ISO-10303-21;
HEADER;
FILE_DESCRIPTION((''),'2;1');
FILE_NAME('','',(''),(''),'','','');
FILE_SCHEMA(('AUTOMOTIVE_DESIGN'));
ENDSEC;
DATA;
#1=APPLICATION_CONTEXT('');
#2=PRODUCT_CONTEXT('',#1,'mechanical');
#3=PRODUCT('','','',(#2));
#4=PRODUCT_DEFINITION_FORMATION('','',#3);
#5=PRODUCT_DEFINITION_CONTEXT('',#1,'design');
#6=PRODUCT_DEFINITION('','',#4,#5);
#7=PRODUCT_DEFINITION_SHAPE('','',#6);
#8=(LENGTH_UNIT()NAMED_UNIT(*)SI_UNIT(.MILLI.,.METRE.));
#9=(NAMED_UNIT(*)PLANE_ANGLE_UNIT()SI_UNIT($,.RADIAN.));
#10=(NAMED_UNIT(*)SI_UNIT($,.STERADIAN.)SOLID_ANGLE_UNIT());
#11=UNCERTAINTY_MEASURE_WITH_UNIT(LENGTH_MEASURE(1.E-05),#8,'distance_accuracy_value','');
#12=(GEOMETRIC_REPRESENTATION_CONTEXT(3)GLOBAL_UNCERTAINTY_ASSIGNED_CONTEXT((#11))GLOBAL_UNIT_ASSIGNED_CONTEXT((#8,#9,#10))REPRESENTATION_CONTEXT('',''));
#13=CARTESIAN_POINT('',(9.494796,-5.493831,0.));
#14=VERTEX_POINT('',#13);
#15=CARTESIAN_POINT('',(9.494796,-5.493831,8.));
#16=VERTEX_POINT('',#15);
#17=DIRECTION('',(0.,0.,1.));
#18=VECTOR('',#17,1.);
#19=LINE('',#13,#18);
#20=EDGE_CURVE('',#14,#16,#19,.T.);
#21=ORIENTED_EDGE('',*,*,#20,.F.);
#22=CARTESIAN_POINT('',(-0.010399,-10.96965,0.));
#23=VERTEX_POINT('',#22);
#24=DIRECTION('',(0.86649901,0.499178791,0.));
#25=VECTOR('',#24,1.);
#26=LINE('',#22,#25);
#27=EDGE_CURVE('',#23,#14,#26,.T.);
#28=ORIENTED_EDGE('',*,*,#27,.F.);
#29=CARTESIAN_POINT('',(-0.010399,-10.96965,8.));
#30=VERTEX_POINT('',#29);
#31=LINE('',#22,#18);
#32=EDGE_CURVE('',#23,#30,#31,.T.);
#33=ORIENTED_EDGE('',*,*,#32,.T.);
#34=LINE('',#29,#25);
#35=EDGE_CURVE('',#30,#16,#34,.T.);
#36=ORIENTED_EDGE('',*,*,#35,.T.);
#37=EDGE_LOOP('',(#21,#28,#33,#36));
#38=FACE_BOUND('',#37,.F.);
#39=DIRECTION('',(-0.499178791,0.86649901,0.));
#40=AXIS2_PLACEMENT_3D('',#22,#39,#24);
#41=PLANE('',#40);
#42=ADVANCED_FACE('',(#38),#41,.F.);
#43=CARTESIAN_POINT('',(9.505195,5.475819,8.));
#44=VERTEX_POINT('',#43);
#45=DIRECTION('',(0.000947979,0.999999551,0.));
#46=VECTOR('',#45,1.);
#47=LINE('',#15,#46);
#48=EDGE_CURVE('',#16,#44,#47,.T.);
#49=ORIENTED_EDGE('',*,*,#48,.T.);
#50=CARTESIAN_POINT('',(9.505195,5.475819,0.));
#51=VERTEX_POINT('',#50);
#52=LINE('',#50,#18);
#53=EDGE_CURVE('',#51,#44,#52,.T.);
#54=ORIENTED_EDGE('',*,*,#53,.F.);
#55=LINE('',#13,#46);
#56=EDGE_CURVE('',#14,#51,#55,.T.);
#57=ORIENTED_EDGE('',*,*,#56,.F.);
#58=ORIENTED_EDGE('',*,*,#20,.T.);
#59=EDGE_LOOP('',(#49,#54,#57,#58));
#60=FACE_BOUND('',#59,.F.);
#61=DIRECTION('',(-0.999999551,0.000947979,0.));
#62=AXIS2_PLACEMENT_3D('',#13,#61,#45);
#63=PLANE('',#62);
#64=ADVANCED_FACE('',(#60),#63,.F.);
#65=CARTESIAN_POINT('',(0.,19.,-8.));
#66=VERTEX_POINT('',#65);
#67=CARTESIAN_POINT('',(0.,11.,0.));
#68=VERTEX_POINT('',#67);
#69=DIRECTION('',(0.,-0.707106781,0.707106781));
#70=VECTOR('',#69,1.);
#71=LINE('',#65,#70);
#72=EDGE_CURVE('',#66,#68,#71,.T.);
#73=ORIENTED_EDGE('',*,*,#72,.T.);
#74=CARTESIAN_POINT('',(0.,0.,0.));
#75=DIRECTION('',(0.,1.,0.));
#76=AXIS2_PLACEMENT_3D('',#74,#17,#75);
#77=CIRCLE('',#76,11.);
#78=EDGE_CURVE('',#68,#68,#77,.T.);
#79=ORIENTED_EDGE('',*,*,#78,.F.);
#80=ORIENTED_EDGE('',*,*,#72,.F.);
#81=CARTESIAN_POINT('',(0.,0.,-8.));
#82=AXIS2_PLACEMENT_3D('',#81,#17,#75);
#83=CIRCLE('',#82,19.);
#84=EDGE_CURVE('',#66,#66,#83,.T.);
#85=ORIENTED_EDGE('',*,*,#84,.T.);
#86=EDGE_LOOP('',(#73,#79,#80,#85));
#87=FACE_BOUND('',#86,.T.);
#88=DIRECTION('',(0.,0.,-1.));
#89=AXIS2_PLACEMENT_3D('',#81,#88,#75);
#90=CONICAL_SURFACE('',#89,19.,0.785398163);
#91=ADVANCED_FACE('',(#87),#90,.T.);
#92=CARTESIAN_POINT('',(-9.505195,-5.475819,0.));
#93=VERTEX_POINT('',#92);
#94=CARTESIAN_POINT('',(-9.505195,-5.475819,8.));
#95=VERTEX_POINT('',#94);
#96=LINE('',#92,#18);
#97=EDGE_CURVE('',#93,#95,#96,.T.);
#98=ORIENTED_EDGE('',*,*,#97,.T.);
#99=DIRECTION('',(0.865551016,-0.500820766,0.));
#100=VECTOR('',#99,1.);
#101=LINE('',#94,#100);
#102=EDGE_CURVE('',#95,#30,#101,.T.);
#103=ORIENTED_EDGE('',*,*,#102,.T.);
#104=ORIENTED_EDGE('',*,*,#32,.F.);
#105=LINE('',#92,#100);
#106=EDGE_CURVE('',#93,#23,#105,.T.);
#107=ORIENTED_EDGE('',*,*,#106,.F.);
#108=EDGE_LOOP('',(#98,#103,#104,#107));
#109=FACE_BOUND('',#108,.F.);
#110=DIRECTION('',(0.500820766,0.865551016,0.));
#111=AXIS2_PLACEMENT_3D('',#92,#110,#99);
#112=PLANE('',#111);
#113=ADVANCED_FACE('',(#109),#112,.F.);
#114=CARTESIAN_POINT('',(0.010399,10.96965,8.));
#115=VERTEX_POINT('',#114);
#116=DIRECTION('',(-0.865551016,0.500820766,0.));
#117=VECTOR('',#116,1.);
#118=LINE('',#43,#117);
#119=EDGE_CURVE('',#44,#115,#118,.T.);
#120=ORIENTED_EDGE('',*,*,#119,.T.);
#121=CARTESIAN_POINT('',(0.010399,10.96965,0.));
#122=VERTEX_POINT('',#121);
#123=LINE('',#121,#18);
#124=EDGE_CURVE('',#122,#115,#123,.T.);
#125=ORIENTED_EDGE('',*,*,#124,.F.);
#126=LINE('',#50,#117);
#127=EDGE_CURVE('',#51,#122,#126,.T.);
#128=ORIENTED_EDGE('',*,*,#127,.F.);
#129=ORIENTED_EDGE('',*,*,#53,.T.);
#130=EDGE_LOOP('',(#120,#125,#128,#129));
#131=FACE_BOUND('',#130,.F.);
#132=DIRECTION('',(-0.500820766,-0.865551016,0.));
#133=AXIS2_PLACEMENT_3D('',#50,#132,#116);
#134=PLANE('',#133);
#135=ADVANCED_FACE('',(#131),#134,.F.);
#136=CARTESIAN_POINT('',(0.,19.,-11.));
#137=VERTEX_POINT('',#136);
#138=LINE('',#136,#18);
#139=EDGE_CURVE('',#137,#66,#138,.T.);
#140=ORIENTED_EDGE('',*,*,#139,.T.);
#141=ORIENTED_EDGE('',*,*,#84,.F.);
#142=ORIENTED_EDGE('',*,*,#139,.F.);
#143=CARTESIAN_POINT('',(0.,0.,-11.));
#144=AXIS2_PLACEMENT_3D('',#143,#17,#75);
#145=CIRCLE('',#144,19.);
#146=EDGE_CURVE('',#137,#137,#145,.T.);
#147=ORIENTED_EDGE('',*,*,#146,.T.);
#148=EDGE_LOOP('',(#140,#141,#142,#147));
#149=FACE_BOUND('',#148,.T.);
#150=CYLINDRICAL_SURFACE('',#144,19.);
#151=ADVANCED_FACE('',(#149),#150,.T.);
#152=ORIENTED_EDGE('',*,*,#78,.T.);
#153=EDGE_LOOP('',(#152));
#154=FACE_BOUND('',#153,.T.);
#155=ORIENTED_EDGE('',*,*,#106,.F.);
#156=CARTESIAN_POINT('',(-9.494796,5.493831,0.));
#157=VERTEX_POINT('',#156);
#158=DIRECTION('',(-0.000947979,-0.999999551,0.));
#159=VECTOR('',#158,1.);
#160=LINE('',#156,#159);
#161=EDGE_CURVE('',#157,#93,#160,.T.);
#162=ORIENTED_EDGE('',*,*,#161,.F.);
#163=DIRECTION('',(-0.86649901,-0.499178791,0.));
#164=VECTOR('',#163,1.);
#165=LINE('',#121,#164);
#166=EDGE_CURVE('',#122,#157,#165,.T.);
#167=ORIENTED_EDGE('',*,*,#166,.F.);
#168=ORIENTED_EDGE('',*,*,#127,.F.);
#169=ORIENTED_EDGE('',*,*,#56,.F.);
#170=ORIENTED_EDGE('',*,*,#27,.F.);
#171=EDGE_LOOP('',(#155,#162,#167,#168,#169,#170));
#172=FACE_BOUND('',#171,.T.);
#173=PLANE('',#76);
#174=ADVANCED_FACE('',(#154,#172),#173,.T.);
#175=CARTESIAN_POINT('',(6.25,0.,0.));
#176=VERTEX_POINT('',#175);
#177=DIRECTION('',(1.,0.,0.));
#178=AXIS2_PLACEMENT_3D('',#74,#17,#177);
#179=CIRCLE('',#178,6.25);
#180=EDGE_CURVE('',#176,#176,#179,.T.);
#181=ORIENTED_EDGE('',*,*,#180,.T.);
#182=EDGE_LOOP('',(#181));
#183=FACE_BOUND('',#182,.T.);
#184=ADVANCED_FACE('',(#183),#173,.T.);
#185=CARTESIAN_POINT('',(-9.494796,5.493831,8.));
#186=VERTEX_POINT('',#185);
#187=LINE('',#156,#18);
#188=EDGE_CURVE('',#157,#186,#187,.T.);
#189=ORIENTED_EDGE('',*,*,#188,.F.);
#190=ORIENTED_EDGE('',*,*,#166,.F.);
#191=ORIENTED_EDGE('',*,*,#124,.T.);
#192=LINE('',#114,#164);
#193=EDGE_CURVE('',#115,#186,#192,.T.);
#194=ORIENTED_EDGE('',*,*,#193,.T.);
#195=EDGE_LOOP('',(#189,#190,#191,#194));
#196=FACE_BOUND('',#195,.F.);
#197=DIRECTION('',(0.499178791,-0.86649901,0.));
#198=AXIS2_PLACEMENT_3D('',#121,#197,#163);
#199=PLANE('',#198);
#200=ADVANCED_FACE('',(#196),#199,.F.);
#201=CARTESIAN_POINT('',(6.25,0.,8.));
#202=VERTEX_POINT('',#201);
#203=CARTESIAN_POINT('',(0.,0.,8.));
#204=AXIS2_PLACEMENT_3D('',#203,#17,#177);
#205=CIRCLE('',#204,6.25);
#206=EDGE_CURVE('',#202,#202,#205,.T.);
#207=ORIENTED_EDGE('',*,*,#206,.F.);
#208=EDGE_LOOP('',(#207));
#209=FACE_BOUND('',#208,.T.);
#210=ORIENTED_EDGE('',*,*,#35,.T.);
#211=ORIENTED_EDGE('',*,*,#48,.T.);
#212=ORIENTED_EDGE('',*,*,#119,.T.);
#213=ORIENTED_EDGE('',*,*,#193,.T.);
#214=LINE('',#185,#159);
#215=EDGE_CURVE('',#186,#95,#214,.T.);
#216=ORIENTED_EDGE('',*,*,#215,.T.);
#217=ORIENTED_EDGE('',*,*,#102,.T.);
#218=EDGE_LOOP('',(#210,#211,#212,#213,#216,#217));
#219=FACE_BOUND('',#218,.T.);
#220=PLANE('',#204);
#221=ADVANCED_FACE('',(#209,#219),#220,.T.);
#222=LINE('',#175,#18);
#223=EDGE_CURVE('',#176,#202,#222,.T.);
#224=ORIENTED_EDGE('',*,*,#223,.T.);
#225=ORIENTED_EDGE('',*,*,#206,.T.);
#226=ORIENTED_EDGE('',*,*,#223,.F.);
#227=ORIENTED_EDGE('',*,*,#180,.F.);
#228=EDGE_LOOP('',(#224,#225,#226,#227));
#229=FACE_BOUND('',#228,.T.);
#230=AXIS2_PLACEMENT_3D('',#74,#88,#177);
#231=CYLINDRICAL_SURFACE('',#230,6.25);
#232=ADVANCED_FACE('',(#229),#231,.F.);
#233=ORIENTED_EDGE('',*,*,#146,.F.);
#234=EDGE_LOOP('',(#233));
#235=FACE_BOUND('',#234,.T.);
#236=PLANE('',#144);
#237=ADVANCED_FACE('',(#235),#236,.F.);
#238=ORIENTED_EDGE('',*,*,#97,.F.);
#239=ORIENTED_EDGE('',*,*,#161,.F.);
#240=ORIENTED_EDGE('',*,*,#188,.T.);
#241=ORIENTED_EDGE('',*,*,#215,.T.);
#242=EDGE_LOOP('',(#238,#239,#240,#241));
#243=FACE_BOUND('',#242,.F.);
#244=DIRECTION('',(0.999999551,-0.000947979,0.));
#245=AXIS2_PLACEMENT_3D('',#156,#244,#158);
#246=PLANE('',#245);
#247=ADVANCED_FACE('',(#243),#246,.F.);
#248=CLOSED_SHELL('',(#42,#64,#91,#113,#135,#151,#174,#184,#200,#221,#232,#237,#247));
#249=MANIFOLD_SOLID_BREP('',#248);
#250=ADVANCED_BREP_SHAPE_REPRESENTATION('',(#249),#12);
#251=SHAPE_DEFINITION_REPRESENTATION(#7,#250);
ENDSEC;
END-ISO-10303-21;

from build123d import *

# Parameters (mm, degrees)
F0_R     = 6.25
F1_DEPTH = 8


with BuildPart() as f1:
    # F0 (on Top) → F1 (new body)
    with BuildSketch(Plane.XY):
        Polygon((9.494796, -5.493831), (9.505195, 5.475819), (0.010399, 10.96965), (-9.494796, 5.493831), (-9.505195, -5.475819), (-0.010399, -10.96965), align=None)
        Circle(F0_R, mode=Mode.SUBTRACT)
    extrude(amount=F1_DEPTH)

    # F2 (on Right) → F3 (revolve)
    with BuildSketch(Plane.YZ):
        Polygon((11, 0), (0, 0), (0, -11), (19, -11), (19, -8), align=None)
    revolve(axis=Axis((0, 0, -5.5), (0, 0, 1)))


solid = f1.part
